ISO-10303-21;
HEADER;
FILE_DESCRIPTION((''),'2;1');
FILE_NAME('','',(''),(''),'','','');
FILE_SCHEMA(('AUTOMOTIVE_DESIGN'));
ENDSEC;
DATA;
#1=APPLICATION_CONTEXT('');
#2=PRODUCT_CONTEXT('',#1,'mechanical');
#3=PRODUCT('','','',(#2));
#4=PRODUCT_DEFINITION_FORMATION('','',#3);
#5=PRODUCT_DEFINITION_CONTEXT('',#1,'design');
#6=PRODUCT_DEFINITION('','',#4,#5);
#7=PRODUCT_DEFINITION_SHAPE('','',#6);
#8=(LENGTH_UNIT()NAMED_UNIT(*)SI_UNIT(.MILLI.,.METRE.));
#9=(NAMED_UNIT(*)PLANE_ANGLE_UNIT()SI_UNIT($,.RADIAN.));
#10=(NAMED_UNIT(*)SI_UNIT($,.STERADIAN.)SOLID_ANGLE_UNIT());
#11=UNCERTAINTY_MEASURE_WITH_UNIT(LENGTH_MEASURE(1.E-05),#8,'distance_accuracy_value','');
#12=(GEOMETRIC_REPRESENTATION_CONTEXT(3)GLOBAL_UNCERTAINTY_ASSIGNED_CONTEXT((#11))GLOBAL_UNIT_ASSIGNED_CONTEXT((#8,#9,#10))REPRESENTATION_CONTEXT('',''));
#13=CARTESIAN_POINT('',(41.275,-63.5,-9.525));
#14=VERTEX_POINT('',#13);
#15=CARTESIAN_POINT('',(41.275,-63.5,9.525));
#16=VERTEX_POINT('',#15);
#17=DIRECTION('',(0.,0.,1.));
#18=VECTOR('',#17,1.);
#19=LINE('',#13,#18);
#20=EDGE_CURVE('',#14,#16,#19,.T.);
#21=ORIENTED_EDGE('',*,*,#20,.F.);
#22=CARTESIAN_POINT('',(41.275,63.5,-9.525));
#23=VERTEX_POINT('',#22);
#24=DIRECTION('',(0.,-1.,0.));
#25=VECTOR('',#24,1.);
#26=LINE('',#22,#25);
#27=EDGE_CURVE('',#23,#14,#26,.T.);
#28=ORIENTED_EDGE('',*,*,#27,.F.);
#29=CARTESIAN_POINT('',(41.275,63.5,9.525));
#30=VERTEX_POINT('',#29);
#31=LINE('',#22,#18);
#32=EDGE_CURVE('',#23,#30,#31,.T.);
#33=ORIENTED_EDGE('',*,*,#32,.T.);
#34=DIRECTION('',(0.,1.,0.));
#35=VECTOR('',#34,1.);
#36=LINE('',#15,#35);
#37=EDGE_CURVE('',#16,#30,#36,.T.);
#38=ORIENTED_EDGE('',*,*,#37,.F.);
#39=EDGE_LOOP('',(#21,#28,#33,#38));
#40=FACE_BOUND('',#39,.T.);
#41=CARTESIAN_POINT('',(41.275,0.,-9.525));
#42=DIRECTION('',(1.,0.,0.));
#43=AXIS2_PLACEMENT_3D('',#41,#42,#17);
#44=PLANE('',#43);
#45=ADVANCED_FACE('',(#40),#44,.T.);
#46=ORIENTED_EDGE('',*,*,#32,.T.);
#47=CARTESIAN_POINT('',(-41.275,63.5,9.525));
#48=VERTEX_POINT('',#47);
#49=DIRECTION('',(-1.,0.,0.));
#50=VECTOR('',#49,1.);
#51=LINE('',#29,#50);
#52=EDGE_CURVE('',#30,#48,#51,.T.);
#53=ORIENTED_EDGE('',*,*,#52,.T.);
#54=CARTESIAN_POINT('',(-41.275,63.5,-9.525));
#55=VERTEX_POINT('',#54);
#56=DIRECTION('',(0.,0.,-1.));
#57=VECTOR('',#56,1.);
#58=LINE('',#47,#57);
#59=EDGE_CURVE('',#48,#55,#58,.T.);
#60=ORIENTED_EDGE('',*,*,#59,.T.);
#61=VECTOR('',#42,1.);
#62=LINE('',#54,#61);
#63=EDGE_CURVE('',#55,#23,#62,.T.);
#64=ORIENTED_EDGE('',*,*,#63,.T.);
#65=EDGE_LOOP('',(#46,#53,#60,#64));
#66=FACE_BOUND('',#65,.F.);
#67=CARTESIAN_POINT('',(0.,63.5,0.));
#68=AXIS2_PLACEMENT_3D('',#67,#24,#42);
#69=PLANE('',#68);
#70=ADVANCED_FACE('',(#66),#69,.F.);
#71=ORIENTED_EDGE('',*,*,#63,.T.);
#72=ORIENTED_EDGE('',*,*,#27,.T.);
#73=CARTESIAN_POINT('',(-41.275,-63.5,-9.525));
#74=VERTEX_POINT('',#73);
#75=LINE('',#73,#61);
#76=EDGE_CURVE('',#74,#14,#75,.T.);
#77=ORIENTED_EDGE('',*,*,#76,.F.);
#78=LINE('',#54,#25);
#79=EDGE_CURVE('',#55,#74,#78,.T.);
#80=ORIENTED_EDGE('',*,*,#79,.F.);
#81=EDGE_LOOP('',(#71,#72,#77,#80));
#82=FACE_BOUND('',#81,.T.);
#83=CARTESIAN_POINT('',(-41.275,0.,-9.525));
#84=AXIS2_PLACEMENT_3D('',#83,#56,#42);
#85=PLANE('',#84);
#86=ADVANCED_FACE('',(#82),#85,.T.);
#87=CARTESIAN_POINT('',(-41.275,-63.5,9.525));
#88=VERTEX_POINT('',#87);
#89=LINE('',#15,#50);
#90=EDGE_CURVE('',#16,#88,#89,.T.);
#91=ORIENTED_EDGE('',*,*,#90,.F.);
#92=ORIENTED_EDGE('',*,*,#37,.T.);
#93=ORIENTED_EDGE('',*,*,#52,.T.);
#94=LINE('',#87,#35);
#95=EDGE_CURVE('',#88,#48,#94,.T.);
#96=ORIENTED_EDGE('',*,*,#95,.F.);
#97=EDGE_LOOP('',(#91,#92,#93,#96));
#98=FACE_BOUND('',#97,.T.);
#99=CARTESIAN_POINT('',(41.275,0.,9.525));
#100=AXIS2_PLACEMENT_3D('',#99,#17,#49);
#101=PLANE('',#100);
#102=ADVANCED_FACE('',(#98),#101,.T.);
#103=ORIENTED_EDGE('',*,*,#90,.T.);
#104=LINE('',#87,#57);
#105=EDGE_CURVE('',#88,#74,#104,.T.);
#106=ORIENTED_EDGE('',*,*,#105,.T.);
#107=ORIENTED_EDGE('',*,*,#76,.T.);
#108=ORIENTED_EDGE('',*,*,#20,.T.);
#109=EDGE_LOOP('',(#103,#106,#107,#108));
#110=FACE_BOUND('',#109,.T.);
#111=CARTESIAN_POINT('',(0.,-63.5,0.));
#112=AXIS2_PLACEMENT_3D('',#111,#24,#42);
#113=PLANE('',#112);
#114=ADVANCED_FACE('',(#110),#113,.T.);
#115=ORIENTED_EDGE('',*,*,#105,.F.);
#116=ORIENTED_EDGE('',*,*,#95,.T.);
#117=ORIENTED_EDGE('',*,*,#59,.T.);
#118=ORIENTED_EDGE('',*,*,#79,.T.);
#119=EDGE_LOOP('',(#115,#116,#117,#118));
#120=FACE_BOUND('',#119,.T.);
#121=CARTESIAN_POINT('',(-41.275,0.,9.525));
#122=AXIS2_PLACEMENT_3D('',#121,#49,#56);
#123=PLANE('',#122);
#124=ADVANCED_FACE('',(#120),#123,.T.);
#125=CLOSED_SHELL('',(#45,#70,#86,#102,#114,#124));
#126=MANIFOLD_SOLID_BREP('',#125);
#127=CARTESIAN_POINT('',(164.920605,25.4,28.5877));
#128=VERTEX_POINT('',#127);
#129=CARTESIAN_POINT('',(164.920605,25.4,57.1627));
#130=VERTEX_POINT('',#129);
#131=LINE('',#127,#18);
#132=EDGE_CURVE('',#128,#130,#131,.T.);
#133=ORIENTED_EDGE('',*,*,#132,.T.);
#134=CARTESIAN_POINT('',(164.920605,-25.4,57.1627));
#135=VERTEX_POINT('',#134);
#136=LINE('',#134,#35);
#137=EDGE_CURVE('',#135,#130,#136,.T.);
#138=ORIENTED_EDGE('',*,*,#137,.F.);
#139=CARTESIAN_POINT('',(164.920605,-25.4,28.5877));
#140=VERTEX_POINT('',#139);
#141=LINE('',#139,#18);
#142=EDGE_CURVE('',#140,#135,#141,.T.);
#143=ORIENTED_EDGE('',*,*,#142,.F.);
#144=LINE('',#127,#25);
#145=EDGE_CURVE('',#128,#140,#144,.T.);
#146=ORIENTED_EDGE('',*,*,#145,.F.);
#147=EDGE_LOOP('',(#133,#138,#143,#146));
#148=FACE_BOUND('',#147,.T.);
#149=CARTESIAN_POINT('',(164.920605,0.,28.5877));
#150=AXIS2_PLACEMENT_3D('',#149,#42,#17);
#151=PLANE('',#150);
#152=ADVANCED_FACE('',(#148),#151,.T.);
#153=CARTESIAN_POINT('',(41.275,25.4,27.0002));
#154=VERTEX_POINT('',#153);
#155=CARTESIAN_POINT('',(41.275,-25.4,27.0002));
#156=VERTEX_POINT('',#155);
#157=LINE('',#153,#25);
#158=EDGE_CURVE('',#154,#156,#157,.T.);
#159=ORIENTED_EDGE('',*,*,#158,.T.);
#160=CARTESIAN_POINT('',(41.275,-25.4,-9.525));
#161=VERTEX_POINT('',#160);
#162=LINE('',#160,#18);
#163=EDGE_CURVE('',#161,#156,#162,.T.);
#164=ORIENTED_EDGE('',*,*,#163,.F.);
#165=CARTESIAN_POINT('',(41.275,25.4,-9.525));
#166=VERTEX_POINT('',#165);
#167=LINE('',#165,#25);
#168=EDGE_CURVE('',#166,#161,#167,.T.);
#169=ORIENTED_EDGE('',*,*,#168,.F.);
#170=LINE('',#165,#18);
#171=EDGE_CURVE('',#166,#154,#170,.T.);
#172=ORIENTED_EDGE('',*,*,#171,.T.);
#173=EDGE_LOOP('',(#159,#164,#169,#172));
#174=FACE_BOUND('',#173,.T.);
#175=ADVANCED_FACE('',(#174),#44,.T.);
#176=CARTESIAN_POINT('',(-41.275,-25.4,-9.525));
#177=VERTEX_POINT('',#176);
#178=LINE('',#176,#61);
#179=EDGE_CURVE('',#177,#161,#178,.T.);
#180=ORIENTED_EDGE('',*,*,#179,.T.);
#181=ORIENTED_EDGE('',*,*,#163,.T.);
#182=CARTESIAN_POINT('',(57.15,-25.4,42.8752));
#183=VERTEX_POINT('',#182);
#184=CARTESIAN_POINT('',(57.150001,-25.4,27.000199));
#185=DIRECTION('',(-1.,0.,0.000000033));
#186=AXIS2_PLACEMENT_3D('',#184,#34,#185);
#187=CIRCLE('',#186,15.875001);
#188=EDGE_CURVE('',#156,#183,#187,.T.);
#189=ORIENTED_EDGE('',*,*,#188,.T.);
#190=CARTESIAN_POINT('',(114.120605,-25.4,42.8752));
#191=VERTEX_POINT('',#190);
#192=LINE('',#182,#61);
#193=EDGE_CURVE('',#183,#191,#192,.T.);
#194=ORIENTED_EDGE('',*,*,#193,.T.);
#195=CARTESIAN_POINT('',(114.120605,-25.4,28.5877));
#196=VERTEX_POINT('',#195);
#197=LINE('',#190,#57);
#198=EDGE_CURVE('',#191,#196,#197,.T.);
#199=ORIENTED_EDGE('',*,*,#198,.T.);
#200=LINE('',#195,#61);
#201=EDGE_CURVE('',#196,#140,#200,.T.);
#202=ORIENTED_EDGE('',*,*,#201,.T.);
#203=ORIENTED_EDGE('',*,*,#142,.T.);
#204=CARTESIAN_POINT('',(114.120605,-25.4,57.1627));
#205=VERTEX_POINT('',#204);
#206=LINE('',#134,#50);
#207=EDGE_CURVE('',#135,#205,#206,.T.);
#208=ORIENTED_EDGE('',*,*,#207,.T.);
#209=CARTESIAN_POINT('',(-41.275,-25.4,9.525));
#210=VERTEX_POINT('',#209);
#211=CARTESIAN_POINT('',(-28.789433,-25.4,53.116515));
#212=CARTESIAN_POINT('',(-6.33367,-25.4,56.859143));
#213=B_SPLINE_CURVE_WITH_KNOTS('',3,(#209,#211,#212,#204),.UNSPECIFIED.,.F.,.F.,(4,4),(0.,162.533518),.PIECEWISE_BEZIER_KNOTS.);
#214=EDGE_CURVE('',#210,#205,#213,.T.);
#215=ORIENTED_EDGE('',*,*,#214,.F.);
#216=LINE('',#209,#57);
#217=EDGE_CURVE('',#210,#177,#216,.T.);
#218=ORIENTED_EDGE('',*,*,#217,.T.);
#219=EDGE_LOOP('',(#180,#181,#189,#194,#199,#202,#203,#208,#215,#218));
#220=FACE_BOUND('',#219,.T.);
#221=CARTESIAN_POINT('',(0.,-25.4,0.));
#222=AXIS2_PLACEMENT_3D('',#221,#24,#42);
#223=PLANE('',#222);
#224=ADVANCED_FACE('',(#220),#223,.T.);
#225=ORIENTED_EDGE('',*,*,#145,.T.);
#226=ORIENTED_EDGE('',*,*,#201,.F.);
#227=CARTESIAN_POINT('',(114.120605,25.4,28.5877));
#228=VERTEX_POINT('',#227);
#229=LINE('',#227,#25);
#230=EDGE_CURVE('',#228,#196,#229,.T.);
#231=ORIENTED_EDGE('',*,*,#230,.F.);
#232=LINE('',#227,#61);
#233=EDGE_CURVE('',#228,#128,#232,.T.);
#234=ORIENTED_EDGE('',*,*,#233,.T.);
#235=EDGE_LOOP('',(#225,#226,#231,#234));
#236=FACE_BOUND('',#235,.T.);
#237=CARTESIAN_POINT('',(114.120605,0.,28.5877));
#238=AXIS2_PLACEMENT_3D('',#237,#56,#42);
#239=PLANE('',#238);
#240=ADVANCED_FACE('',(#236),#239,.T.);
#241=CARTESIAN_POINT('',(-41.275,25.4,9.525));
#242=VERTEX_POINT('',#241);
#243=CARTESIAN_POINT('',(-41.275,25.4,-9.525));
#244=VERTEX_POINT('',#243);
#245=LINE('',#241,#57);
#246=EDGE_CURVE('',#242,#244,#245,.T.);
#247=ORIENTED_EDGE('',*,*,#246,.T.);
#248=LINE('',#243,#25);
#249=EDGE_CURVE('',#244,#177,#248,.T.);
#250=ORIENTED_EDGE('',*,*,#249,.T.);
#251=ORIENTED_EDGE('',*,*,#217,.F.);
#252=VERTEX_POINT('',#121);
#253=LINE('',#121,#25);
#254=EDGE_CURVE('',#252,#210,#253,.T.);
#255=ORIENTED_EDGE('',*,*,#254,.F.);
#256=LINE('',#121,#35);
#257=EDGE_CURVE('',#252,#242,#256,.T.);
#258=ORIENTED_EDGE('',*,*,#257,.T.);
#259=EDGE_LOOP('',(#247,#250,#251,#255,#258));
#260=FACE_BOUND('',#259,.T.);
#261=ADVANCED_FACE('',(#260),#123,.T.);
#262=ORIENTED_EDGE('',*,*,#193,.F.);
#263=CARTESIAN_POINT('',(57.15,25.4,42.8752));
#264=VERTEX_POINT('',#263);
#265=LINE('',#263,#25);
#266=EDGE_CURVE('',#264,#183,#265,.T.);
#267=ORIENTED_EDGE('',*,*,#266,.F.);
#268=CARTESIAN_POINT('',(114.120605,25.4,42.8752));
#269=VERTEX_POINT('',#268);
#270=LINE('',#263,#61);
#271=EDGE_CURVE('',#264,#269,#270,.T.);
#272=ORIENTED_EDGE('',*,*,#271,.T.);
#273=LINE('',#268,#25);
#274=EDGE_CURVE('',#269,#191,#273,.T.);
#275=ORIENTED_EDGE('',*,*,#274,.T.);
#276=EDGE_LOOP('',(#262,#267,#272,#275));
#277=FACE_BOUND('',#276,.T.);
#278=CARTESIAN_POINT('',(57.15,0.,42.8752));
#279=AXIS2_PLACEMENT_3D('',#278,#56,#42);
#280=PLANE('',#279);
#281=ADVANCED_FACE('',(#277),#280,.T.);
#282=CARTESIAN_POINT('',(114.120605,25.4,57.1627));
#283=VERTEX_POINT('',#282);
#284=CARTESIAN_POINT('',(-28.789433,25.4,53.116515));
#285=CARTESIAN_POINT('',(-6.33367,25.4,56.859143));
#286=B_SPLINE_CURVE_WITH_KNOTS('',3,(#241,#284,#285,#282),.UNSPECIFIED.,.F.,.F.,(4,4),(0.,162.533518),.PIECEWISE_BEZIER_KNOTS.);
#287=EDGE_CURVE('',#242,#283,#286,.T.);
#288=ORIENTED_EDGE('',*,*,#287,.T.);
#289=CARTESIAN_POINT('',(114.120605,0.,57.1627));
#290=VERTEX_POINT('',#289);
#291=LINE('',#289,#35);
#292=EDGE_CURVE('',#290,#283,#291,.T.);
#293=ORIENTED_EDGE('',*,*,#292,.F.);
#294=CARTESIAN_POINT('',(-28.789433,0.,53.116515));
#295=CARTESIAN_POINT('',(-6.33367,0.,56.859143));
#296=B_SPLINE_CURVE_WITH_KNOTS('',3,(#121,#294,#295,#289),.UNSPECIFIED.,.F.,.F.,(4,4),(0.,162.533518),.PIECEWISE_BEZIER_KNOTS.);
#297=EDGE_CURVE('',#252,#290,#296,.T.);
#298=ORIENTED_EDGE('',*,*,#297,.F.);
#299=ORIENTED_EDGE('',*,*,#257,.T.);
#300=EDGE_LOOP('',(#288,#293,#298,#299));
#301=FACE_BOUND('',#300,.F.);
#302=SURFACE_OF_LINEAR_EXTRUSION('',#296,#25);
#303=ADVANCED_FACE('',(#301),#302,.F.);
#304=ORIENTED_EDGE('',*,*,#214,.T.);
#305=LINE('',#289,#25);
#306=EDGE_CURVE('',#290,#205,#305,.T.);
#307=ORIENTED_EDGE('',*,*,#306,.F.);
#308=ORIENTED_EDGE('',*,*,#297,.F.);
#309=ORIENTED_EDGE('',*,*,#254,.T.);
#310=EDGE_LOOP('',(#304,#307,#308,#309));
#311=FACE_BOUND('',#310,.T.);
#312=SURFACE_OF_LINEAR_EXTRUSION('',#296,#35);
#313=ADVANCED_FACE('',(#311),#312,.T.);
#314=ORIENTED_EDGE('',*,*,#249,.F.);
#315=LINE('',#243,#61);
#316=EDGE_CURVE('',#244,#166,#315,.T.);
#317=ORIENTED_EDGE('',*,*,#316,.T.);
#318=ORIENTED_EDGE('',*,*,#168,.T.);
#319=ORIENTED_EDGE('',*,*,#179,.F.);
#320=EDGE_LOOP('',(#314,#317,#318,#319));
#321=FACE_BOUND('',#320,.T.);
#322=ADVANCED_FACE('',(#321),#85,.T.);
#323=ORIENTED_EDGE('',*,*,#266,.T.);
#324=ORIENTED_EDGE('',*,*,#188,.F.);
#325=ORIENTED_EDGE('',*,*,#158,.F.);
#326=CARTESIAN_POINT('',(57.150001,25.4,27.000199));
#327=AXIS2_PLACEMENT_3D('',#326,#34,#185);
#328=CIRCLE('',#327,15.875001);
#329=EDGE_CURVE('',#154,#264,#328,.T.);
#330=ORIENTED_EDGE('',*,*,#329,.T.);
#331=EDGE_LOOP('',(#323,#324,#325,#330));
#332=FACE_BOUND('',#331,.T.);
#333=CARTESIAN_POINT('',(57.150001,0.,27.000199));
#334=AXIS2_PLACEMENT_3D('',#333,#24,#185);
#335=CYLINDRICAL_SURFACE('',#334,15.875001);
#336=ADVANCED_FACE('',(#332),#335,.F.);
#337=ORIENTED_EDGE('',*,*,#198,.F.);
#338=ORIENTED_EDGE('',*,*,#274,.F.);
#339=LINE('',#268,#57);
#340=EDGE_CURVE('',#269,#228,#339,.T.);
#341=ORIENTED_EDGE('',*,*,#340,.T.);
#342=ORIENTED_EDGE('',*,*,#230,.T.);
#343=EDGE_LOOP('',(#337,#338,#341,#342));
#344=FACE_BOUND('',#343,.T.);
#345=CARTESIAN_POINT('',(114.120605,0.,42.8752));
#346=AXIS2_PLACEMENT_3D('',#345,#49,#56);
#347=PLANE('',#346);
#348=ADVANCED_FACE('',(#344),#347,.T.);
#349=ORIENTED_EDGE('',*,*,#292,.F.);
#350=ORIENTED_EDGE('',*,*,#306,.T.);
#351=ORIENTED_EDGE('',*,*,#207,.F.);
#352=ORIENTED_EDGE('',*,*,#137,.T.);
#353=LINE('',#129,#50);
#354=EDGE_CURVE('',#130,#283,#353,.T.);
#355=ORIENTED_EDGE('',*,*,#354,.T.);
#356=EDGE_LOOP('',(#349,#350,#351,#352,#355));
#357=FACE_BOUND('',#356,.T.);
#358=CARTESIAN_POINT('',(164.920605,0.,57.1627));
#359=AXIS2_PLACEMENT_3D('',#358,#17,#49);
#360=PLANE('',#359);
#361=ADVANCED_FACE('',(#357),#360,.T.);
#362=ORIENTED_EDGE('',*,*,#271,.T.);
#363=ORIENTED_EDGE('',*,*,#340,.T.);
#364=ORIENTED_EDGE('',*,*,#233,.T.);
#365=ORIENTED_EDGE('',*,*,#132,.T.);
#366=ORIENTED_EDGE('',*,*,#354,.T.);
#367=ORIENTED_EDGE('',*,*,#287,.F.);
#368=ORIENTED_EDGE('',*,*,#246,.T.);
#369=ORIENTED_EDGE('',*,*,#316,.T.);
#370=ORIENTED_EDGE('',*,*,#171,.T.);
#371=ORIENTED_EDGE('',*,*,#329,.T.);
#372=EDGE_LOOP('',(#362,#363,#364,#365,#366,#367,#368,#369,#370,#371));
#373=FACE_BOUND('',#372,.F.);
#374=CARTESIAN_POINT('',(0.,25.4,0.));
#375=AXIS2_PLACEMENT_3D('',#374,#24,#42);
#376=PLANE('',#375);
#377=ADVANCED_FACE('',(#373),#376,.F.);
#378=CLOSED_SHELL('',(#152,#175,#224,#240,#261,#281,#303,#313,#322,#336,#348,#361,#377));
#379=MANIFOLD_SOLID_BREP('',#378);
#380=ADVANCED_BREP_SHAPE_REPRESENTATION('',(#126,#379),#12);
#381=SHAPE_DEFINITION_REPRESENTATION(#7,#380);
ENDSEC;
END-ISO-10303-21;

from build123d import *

# Parameters (mm, degrees)
F1_DEPTH = 63.5
F2_DEPTH = 25.4


with BuildPart() as f1:
    # F0 (on Front) → F1 (new body, symmetric)
    with BuildSketch(Plane.XZ):
        Polygon((-41.275, 9.525), (-41.275, -9.525), (41.275, -9.525), (41.275, 9.525), (30.228918, 9.525), align=None)
    extrude(amount=F1_DEPTH, both=True)


with BuildPart() as f2:
    # F0 (on Front) → F2 (new body, symmetric)
    with BuildSketch(Plane.XZ):
        Polygon((-41.275, 9.525), (-41.275, -9.525), (41.275, -9.525), (41.275, 9.525), (30.228918, 9.525), align=None)
        with BuildLine():
            add(Edge.make_bspline(
                [(-41.275, 9.525), (-28.789433, 53.116515), (-6.33367, 56.859143), (114.120605, 57.1627)],
                knots=[0, 0, 0, 0, 162.533518, 162.533518, 162.533518, 162.533518], degree=3))
            Line((-41.275, 9.525), (30.228918, 9.525))
            Line((30.228918, 9.525), (30.228918, 27.0002))
            ThreePointArc((30.228918, 27.0002), (38.113921, 46.036279), (57.15, 53.921282))
            Line((57.15, 53.921282), (114.120605, 53.921282))
            Line((114.120605, 53.921282), (114.120605, 57.1627))
        make_face()
        with BuildLine():
            Line((30.228918, 9.525), (41.275, 9.525))
            Line((41.275, 9.525), (41.275, 27.0002))
            ThreePointArc((41.275, 27.0002), (45.92468, 38.22552), (57.15, 42.8752))
            Line((57.15, 42.8752), (114.120605, 42.8752))
            Line((114.120605, 42.8752), (114.120605, 53.921282))
            Line((114.120605, 53.921282), (57.15, 53.921282))
            ThreePointArc((57.15, 53.921282), (38.113921, 46.036279), (30.228918, 27.0002))
            Line((30.228918, 27.0002), (30.228918, 9.525))
        make_face()
        Polygon((164.920605, 57.1627), (114.120605, 57.1627), (114.120605, 53.921282), (114.120605, 42.8752), (114.120605, 28.5877), (164.920605, 28.5877), align=None)
    extrude(amount=F2_DEPTH, both=True)


solid = Compound([f1.part, f2.part])
